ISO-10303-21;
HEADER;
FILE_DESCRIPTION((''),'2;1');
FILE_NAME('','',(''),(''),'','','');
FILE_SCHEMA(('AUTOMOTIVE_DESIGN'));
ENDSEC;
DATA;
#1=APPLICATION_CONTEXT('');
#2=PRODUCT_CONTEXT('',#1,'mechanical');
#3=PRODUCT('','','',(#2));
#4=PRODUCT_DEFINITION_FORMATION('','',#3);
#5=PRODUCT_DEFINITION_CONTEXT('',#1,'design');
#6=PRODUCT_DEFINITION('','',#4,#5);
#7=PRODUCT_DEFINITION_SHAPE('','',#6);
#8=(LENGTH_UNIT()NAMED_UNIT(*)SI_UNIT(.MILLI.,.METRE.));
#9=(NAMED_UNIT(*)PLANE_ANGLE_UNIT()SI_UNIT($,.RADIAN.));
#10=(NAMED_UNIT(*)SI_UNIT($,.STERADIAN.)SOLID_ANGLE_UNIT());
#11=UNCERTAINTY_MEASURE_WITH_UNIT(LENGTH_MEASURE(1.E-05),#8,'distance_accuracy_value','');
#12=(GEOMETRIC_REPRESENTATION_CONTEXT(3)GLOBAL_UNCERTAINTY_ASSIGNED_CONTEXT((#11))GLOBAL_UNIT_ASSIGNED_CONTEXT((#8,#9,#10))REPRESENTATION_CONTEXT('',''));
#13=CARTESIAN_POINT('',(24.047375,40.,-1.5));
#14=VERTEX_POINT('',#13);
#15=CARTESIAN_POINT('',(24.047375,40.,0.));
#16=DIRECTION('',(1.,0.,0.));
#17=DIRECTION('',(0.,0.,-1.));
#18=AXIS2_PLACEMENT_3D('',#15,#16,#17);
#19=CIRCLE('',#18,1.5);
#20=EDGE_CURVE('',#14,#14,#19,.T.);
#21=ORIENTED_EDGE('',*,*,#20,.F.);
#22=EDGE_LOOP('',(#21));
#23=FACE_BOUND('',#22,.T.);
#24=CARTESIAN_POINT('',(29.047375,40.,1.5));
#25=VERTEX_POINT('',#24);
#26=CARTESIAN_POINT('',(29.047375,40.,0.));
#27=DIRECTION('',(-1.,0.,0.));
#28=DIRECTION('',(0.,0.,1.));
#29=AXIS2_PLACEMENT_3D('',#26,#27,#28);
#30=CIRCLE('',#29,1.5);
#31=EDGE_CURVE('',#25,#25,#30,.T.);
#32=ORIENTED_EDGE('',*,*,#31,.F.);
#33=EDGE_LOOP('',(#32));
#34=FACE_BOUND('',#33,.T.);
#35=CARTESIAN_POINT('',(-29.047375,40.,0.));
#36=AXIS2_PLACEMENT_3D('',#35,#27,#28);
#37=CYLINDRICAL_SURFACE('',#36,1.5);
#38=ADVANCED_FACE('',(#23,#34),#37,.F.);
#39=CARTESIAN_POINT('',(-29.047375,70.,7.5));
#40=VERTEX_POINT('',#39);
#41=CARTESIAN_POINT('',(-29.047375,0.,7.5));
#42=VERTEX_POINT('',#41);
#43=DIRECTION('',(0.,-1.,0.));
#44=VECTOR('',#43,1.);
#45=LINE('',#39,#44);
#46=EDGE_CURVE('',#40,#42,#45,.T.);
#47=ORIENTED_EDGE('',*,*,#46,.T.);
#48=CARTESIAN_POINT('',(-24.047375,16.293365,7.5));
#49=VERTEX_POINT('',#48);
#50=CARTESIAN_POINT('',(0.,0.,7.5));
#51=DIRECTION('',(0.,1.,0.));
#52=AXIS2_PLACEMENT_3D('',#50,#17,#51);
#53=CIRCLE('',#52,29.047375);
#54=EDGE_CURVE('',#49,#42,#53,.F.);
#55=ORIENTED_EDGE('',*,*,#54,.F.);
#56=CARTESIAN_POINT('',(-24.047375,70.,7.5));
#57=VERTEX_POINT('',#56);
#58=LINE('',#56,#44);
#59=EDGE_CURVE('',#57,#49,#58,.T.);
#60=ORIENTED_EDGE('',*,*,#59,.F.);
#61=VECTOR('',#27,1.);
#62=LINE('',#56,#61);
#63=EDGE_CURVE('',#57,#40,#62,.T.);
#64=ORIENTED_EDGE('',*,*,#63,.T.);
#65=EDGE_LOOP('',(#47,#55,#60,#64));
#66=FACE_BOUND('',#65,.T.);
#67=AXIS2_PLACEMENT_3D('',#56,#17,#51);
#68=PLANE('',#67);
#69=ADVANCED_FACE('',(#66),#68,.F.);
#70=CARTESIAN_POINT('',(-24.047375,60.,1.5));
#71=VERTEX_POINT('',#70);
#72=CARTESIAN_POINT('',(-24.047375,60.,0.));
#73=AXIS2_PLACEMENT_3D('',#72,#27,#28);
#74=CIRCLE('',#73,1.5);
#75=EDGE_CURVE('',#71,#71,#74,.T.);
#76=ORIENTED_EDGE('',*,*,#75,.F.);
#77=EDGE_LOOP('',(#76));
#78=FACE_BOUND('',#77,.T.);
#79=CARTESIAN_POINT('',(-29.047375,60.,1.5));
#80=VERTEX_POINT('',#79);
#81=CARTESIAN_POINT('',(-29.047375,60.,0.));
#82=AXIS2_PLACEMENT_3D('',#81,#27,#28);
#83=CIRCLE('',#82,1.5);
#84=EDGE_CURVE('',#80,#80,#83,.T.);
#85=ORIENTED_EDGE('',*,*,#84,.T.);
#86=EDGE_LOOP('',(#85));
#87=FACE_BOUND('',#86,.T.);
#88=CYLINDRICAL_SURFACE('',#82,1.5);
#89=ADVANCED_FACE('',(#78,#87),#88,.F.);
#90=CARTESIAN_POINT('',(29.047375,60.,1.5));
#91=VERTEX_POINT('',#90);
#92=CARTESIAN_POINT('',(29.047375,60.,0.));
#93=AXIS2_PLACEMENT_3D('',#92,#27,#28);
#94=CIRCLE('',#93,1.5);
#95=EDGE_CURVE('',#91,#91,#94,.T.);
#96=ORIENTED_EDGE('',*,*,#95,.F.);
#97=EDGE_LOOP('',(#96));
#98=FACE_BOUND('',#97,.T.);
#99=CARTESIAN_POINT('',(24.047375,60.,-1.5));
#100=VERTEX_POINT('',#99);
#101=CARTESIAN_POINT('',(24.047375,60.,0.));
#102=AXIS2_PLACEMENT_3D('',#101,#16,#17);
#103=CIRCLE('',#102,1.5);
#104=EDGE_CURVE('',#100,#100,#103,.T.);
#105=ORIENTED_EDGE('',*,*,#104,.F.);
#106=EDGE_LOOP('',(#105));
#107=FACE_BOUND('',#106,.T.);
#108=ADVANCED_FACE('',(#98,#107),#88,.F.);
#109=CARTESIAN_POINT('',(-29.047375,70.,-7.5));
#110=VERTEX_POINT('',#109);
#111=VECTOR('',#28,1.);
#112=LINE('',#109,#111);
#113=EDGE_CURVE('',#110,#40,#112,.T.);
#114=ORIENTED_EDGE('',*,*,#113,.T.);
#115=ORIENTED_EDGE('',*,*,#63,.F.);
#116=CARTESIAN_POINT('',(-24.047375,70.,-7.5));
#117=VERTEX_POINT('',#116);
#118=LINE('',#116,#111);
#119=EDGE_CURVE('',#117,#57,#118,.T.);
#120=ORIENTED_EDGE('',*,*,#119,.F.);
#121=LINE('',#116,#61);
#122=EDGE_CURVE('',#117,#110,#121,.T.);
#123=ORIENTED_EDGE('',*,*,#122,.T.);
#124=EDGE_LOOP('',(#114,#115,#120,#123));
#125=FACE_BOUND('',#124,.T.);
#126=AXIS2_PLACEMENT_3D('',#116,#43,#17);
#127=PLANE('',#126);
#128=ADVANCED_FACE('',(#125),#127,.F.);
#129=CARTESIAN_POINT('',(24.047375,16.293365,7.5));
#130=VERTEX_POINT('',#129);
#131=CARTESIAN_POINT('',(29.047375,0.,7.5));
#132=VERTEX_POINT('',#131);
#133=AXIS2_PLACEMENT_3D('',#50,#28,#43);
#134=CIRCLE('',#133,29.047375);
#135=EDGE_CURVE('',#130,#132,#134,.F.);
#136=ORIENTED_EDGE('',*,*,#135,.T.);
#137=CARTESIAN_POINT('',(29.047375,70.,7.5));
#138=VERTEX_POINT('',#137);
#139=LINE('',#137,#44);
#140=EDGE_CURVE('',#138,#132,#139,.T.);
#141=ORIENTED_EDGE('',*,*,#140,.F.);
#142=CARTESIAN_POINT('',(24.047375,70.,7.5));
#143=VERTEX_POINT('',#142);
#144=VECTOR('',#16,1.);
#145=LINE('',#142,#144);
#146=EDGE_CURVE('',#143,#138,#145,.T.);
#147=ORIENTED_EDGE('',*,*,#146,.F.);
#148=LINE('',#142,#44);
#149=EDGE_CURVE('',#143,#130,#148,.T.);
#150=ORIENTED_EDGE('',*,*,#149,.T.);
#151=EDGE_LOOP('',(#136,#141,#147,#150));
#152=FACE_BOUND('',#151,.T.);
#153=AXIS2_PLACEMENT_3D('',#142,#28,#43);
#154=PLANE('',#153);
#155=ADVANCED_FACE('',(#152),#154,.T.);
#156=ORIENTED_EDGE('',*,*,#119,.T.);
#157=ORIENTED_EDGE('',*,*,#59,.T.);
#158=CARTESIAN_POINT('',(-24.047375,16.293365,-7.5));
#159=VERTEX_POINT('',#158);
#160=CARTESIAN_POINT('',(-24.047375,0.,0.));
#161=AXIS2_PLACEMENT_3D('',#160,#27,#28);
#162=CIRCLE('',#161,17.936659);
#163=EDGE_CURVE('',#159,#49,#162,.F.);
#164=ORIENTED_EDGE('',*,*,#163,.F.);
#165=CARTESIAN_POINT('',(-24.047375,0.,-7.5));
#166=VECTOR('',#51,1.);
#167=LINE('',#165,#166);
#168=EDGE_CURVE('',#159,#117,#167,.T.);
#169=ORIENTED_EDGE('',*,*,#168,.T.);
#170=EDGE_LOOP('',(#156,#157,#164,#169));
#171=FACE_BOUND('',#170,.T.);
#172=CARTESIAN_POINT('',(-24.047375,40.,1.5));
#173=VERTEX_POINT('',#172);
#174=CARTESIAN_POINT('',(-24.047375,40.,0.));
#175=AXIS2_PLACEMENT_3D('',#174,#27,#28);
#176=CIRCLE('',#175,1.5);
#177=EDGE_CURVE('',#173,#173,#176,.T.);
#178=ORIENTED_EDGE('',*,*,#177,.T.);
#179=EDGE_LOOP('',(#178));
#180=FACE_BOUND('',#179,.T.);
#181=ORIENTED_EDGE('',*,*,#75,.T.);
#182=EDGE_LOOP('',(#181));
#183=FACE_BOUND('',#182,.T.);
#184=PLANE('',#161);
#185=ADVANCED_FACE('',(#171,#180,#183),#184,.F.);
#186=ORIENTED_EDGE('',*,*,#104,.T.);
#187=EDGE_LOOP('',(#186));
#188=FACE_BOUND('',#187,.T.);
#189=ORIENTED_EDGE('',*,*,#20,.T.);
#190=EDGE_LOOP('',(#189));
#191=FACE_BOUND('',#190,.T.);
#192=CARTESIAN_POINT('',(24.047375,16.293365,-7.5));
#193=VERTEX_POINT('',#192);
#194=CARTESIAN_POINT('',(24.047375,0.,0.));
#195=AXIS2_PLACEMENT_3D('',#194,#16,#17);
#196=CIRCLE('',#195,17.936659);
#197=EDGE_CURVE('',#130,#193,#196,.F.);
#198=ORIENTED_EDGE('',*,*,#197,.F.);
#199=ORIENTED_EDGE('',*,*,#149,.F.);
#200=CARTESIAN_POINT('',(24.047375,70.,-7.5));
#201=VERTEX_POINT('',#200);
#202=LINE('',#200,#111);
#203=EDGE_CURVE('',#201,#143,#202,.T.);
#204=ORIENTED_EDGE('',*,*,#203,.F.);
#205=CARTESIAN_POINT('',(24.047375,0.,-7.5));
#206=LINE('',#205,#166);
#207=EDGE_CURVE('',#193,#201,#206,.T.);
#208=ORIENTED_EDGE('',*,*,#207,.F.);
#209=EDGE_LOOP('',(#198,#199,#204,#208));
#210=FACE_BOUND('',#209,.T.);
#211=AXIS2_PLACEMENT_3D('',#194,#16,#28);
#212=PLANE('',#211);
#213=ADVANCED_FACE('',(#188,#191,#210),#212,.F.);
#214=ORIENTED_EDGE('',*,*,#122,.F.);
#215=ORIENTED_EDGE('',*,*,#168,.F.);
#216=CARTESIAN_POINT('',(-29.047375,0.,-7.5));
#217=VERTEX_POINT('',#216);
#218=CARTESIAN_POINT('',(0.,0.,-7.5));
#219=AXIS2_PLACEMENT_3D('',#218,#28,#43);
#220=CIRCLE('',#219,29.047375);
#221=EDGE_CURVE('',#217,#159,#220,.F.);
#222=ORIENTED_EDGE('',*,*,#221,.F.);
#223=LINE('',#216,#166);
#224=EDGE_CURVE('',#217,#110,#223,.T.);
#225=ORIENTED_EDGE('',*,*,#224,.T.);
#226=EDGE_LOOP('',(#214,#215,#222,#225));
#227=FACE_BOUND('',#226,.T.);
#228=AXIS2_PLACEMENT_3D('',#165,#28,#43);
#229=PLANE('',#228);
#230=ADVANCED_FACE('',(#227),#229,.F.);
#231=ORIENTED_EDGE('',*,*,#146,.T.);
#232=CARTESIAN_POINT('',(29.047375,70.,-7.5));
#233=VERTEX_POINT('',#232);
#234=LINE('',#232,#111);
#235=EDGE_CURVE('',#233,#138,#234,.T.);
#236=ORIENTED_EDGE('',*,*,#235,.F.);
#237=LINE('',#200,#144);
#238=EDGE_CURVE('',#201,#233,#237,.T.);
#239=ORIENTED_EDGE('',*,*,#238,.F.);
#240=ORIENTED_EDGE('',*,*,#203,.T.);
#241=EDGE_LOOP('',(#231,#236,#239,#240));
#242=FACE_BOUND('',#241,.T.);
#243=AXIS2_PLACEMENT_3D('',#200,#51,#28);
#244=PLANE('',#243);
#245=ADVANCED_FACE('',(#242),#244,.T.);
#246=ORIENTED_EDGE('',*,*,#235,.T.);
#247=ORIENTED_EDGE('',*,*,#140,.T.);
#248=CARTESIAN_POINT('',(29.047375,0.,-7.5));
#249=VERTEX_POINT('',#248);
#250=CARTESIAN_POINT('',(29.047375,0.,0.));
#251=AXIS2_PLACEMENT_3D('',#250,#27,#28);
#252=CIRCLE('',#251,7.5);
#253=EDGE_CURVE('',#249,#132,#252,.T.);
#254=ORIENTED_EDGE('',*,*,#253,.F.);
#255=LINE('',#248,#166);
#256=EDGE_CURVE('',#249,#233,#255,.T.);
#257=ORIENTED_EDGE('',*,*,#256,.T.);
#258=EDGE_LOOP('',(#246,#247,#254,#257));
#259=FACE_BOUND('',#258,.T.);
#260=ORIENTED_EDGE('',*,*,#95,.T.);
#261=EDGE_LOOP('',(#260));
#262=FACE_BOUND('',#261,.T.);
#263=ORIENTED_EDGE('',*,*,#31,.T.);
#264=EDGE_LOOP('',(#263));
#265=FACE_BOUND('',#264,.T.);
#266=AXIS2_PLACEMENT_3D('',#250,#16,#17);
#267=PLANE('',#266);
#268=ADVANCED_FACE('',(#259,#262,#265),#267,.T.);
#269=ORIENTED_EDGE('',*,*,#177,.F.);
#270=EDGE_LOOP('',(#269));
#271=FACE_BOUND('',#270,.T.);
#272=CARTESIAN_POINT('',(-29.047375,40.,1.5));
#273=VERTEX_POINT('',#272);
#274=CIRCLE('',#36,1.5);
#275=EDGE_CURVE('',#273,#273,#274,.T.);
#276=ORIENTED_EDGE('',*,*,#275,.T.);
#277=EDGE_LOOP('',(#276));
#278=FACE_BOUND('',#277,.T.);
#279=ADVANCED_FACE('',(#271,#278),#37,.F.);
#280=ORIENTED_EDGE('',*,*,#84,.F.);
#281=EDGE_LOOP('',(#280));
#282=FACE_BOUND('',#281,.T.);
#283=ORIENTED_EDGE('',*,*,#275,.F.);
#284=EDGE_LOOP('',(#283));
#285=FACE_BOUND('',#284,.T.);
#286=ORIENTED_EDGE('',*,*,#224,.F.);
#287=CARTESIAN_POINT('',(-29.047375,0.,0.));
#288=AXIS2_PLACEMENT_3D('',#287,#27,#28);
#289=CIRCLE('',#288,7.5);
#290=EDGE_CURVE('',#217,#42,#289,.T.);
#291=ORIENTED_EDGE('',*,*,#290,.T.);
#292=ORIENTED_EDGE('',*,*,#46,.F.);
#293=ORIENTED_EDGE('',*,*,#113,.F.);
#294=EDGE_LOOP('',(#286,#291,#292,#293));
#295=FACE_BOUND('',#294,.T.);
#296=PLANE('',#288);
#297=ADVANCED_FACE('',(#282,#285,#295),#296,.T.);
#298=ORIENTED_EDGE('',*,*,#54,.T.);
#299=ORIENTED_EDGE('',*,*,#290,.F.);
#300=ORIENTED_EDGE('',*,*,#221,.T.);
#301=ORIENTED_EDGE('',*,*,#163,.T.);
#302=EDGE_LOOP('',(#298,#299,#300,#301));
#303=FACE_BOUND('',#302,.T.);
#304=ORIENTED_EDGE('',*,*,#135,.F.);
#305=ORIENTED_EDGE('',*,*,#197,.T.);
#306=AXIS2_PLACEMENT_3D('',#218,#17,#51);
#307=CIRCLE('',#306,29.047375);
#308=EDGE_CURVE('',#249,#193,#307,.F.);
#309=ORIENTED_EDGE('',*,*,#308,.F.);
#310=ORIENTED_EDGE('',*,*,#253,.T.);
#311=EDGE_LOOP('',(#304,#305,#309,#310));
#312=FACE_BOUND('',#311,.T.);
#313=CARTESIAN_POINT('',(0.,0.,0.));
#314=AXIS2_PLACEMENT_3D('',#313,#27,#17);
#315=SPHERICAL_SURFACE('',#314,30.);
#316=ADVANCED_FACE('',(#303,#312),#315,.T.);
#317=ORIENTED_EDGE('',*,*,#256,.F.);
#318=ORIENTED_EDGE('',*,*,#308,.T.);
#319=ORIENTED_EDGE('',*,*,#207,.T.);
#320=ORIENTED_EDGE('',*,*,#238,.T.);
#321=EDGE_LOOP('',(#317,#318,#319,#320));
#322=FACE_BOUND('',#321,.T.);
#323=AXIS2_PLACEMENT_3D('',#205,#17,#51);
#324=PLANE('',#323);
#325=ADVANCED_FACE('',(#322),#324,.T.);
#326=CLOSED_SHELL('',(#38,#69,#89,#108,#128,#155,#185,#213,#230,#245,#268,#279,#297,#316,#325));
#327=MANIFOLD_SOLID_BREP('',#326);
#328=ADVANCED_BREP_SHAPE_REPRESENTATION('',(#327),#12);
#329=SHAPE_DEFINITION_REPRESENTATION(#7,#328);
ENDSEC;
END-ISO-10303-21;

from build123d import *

# Parameters (mm, degrees)
BOSS_EXTRUDE1_DEPTH   = 5
F_3_0MM_DOWEL_HOLE1_D = 3


with BuildPart() as part:
    # Sketch2 → Revolve1 (revolve)
    with BuildSketch(Plane(origin=(0, 0, 0), x_dir=(1, 0, 0), z_dir=(0, 1, 0))):
        with BuildLine():
            Line((29.047375097, 0), (29.047375097, 7.5))
            ThreePointArc((29.047375097, 7.5), (0, 30), (-29.047375097, 7.5))
            Line((-29.047375097, 7.5), (-29.047375097, 0))
            Line((-29.047375097, 0), (29.047375097, 0))
        make_face()
    revolve(axis=Axis((-29.047375097, 0, 0), (1, 0, 0)))

    # Sketch3 → Boss-Extrude1 (add)
    with BuildSketch(Plane.ZY.offset(29.047375097)):
        with BuildLine():
            Line((-7.5, 0), (-7.5, 70))
            Line((-7.5, 70), (7.5, 70))
            Line((7.5, 70), (7.5, 0))
            ThreePointArc((7.5, 0), (0, -7.5), (-7.5, 0))
        make_face()
    boss_extrude1 = extrude(amount=-BOSS_EXTRUDE1_DEPTH)

    # Mirror1: Boss-Extrude1 across plane
    add(boss_extrude1.mirror(Plane(origin=(0, 0, 0), x_dir=(0, 0, 1), z_dir=(1, 0, 0))))

    # Ø3.0mm Dowel Hole1 (through all)
    with Locations(Plane.ZY.offset(29.047375097)):
        with Locations((0, 60), (0, 40)):
            Hole(F_3_0MM_DOWEL_HOLE1_D / 2)


solid = part.part
